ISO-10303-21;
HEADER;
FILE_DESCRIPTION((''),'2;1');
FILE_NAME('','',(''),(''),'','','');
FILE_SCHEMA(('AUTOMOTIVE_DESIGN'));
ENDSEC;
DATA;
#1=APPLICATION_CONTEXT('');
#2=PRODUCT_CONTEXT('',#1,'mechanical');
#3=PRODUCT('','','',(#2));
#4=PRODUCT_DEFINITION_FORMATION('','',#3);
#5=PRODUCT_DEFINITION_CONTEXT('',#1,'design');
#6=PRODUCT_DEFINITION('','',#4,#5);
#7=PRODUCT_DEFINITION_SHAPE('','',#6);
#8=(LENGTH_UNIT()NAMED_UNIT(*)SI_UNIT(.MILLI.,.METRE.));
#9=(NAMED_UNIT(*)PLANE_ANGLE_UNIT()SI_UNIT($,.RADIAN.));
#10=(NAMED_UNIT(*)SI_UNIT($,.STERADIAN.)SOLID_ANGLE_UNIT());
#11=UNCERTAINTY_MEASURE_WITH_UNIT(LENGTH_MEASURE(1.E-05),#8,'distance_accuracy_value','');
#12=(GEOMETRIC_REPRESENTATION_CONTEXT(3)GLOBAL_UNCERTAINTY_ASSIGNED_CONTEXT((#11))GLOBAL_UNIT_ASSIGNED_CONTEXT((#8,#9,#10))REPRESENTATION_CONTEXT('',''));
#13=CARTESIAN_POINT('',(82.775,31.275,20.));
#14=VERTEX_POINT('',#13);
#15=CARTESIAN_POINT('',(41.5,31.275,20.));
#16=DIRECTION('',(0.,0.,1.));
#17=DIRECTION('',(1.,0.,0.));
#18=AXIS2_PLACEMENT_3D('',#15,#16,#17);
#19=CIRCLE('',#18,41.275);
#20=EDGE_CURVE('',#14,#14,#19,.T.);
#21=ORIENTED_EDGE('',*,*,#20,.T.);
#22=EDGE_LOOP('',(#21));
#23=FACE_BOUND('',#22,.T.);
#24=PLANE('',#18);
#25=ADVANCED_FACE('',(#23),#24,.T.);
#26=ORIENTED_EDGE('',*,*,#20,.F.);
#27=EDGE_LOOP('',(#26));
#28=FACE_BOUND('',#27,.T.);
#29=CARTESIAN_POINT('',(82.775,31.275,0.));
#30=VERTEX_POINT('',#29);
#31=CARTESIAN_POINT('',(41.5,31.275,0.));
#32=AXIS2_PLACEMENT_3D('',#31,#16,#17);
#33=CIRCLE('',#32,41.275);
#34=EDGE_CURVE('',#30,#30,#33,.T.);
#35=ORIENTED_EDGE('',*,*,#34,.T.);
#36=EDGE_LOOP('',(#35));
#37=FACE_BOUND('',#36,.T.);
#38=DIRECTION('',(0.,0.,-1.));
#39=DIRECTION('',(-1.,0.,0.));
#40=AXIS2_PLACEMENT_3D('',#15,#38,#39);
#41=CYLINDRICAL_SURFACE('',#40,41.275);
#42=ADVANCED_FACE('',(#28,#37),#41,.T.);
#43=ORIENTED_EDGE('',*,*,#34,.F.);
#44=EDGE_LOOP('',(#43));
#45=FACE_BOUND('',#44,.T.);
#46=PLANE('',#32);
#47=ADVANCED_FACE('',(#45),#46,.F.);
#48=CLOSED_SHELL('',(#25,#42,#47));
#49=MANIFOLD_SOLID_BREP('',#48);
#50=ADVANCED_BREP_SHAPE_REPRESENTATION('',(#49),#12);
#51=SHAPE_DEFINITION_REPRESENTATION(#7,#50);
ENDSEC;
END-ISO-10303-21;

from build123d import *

# Parameters (mm, degrees)
ESQUISSE1_R        = 41.275
BOSS_EXTRU_1_DEPTH = 20


with BuildPart() as part:
    # Esquisse1 → Boss.-Extru.1 (new body)
    with BuildSketch(Plane.XY):
        with Locations((41.5, 31.275)):
            Circle(ESQUISSE1_R)
    extrude(amount=BOSS_EXTRU_1_DEPTH)


solid = part.part
